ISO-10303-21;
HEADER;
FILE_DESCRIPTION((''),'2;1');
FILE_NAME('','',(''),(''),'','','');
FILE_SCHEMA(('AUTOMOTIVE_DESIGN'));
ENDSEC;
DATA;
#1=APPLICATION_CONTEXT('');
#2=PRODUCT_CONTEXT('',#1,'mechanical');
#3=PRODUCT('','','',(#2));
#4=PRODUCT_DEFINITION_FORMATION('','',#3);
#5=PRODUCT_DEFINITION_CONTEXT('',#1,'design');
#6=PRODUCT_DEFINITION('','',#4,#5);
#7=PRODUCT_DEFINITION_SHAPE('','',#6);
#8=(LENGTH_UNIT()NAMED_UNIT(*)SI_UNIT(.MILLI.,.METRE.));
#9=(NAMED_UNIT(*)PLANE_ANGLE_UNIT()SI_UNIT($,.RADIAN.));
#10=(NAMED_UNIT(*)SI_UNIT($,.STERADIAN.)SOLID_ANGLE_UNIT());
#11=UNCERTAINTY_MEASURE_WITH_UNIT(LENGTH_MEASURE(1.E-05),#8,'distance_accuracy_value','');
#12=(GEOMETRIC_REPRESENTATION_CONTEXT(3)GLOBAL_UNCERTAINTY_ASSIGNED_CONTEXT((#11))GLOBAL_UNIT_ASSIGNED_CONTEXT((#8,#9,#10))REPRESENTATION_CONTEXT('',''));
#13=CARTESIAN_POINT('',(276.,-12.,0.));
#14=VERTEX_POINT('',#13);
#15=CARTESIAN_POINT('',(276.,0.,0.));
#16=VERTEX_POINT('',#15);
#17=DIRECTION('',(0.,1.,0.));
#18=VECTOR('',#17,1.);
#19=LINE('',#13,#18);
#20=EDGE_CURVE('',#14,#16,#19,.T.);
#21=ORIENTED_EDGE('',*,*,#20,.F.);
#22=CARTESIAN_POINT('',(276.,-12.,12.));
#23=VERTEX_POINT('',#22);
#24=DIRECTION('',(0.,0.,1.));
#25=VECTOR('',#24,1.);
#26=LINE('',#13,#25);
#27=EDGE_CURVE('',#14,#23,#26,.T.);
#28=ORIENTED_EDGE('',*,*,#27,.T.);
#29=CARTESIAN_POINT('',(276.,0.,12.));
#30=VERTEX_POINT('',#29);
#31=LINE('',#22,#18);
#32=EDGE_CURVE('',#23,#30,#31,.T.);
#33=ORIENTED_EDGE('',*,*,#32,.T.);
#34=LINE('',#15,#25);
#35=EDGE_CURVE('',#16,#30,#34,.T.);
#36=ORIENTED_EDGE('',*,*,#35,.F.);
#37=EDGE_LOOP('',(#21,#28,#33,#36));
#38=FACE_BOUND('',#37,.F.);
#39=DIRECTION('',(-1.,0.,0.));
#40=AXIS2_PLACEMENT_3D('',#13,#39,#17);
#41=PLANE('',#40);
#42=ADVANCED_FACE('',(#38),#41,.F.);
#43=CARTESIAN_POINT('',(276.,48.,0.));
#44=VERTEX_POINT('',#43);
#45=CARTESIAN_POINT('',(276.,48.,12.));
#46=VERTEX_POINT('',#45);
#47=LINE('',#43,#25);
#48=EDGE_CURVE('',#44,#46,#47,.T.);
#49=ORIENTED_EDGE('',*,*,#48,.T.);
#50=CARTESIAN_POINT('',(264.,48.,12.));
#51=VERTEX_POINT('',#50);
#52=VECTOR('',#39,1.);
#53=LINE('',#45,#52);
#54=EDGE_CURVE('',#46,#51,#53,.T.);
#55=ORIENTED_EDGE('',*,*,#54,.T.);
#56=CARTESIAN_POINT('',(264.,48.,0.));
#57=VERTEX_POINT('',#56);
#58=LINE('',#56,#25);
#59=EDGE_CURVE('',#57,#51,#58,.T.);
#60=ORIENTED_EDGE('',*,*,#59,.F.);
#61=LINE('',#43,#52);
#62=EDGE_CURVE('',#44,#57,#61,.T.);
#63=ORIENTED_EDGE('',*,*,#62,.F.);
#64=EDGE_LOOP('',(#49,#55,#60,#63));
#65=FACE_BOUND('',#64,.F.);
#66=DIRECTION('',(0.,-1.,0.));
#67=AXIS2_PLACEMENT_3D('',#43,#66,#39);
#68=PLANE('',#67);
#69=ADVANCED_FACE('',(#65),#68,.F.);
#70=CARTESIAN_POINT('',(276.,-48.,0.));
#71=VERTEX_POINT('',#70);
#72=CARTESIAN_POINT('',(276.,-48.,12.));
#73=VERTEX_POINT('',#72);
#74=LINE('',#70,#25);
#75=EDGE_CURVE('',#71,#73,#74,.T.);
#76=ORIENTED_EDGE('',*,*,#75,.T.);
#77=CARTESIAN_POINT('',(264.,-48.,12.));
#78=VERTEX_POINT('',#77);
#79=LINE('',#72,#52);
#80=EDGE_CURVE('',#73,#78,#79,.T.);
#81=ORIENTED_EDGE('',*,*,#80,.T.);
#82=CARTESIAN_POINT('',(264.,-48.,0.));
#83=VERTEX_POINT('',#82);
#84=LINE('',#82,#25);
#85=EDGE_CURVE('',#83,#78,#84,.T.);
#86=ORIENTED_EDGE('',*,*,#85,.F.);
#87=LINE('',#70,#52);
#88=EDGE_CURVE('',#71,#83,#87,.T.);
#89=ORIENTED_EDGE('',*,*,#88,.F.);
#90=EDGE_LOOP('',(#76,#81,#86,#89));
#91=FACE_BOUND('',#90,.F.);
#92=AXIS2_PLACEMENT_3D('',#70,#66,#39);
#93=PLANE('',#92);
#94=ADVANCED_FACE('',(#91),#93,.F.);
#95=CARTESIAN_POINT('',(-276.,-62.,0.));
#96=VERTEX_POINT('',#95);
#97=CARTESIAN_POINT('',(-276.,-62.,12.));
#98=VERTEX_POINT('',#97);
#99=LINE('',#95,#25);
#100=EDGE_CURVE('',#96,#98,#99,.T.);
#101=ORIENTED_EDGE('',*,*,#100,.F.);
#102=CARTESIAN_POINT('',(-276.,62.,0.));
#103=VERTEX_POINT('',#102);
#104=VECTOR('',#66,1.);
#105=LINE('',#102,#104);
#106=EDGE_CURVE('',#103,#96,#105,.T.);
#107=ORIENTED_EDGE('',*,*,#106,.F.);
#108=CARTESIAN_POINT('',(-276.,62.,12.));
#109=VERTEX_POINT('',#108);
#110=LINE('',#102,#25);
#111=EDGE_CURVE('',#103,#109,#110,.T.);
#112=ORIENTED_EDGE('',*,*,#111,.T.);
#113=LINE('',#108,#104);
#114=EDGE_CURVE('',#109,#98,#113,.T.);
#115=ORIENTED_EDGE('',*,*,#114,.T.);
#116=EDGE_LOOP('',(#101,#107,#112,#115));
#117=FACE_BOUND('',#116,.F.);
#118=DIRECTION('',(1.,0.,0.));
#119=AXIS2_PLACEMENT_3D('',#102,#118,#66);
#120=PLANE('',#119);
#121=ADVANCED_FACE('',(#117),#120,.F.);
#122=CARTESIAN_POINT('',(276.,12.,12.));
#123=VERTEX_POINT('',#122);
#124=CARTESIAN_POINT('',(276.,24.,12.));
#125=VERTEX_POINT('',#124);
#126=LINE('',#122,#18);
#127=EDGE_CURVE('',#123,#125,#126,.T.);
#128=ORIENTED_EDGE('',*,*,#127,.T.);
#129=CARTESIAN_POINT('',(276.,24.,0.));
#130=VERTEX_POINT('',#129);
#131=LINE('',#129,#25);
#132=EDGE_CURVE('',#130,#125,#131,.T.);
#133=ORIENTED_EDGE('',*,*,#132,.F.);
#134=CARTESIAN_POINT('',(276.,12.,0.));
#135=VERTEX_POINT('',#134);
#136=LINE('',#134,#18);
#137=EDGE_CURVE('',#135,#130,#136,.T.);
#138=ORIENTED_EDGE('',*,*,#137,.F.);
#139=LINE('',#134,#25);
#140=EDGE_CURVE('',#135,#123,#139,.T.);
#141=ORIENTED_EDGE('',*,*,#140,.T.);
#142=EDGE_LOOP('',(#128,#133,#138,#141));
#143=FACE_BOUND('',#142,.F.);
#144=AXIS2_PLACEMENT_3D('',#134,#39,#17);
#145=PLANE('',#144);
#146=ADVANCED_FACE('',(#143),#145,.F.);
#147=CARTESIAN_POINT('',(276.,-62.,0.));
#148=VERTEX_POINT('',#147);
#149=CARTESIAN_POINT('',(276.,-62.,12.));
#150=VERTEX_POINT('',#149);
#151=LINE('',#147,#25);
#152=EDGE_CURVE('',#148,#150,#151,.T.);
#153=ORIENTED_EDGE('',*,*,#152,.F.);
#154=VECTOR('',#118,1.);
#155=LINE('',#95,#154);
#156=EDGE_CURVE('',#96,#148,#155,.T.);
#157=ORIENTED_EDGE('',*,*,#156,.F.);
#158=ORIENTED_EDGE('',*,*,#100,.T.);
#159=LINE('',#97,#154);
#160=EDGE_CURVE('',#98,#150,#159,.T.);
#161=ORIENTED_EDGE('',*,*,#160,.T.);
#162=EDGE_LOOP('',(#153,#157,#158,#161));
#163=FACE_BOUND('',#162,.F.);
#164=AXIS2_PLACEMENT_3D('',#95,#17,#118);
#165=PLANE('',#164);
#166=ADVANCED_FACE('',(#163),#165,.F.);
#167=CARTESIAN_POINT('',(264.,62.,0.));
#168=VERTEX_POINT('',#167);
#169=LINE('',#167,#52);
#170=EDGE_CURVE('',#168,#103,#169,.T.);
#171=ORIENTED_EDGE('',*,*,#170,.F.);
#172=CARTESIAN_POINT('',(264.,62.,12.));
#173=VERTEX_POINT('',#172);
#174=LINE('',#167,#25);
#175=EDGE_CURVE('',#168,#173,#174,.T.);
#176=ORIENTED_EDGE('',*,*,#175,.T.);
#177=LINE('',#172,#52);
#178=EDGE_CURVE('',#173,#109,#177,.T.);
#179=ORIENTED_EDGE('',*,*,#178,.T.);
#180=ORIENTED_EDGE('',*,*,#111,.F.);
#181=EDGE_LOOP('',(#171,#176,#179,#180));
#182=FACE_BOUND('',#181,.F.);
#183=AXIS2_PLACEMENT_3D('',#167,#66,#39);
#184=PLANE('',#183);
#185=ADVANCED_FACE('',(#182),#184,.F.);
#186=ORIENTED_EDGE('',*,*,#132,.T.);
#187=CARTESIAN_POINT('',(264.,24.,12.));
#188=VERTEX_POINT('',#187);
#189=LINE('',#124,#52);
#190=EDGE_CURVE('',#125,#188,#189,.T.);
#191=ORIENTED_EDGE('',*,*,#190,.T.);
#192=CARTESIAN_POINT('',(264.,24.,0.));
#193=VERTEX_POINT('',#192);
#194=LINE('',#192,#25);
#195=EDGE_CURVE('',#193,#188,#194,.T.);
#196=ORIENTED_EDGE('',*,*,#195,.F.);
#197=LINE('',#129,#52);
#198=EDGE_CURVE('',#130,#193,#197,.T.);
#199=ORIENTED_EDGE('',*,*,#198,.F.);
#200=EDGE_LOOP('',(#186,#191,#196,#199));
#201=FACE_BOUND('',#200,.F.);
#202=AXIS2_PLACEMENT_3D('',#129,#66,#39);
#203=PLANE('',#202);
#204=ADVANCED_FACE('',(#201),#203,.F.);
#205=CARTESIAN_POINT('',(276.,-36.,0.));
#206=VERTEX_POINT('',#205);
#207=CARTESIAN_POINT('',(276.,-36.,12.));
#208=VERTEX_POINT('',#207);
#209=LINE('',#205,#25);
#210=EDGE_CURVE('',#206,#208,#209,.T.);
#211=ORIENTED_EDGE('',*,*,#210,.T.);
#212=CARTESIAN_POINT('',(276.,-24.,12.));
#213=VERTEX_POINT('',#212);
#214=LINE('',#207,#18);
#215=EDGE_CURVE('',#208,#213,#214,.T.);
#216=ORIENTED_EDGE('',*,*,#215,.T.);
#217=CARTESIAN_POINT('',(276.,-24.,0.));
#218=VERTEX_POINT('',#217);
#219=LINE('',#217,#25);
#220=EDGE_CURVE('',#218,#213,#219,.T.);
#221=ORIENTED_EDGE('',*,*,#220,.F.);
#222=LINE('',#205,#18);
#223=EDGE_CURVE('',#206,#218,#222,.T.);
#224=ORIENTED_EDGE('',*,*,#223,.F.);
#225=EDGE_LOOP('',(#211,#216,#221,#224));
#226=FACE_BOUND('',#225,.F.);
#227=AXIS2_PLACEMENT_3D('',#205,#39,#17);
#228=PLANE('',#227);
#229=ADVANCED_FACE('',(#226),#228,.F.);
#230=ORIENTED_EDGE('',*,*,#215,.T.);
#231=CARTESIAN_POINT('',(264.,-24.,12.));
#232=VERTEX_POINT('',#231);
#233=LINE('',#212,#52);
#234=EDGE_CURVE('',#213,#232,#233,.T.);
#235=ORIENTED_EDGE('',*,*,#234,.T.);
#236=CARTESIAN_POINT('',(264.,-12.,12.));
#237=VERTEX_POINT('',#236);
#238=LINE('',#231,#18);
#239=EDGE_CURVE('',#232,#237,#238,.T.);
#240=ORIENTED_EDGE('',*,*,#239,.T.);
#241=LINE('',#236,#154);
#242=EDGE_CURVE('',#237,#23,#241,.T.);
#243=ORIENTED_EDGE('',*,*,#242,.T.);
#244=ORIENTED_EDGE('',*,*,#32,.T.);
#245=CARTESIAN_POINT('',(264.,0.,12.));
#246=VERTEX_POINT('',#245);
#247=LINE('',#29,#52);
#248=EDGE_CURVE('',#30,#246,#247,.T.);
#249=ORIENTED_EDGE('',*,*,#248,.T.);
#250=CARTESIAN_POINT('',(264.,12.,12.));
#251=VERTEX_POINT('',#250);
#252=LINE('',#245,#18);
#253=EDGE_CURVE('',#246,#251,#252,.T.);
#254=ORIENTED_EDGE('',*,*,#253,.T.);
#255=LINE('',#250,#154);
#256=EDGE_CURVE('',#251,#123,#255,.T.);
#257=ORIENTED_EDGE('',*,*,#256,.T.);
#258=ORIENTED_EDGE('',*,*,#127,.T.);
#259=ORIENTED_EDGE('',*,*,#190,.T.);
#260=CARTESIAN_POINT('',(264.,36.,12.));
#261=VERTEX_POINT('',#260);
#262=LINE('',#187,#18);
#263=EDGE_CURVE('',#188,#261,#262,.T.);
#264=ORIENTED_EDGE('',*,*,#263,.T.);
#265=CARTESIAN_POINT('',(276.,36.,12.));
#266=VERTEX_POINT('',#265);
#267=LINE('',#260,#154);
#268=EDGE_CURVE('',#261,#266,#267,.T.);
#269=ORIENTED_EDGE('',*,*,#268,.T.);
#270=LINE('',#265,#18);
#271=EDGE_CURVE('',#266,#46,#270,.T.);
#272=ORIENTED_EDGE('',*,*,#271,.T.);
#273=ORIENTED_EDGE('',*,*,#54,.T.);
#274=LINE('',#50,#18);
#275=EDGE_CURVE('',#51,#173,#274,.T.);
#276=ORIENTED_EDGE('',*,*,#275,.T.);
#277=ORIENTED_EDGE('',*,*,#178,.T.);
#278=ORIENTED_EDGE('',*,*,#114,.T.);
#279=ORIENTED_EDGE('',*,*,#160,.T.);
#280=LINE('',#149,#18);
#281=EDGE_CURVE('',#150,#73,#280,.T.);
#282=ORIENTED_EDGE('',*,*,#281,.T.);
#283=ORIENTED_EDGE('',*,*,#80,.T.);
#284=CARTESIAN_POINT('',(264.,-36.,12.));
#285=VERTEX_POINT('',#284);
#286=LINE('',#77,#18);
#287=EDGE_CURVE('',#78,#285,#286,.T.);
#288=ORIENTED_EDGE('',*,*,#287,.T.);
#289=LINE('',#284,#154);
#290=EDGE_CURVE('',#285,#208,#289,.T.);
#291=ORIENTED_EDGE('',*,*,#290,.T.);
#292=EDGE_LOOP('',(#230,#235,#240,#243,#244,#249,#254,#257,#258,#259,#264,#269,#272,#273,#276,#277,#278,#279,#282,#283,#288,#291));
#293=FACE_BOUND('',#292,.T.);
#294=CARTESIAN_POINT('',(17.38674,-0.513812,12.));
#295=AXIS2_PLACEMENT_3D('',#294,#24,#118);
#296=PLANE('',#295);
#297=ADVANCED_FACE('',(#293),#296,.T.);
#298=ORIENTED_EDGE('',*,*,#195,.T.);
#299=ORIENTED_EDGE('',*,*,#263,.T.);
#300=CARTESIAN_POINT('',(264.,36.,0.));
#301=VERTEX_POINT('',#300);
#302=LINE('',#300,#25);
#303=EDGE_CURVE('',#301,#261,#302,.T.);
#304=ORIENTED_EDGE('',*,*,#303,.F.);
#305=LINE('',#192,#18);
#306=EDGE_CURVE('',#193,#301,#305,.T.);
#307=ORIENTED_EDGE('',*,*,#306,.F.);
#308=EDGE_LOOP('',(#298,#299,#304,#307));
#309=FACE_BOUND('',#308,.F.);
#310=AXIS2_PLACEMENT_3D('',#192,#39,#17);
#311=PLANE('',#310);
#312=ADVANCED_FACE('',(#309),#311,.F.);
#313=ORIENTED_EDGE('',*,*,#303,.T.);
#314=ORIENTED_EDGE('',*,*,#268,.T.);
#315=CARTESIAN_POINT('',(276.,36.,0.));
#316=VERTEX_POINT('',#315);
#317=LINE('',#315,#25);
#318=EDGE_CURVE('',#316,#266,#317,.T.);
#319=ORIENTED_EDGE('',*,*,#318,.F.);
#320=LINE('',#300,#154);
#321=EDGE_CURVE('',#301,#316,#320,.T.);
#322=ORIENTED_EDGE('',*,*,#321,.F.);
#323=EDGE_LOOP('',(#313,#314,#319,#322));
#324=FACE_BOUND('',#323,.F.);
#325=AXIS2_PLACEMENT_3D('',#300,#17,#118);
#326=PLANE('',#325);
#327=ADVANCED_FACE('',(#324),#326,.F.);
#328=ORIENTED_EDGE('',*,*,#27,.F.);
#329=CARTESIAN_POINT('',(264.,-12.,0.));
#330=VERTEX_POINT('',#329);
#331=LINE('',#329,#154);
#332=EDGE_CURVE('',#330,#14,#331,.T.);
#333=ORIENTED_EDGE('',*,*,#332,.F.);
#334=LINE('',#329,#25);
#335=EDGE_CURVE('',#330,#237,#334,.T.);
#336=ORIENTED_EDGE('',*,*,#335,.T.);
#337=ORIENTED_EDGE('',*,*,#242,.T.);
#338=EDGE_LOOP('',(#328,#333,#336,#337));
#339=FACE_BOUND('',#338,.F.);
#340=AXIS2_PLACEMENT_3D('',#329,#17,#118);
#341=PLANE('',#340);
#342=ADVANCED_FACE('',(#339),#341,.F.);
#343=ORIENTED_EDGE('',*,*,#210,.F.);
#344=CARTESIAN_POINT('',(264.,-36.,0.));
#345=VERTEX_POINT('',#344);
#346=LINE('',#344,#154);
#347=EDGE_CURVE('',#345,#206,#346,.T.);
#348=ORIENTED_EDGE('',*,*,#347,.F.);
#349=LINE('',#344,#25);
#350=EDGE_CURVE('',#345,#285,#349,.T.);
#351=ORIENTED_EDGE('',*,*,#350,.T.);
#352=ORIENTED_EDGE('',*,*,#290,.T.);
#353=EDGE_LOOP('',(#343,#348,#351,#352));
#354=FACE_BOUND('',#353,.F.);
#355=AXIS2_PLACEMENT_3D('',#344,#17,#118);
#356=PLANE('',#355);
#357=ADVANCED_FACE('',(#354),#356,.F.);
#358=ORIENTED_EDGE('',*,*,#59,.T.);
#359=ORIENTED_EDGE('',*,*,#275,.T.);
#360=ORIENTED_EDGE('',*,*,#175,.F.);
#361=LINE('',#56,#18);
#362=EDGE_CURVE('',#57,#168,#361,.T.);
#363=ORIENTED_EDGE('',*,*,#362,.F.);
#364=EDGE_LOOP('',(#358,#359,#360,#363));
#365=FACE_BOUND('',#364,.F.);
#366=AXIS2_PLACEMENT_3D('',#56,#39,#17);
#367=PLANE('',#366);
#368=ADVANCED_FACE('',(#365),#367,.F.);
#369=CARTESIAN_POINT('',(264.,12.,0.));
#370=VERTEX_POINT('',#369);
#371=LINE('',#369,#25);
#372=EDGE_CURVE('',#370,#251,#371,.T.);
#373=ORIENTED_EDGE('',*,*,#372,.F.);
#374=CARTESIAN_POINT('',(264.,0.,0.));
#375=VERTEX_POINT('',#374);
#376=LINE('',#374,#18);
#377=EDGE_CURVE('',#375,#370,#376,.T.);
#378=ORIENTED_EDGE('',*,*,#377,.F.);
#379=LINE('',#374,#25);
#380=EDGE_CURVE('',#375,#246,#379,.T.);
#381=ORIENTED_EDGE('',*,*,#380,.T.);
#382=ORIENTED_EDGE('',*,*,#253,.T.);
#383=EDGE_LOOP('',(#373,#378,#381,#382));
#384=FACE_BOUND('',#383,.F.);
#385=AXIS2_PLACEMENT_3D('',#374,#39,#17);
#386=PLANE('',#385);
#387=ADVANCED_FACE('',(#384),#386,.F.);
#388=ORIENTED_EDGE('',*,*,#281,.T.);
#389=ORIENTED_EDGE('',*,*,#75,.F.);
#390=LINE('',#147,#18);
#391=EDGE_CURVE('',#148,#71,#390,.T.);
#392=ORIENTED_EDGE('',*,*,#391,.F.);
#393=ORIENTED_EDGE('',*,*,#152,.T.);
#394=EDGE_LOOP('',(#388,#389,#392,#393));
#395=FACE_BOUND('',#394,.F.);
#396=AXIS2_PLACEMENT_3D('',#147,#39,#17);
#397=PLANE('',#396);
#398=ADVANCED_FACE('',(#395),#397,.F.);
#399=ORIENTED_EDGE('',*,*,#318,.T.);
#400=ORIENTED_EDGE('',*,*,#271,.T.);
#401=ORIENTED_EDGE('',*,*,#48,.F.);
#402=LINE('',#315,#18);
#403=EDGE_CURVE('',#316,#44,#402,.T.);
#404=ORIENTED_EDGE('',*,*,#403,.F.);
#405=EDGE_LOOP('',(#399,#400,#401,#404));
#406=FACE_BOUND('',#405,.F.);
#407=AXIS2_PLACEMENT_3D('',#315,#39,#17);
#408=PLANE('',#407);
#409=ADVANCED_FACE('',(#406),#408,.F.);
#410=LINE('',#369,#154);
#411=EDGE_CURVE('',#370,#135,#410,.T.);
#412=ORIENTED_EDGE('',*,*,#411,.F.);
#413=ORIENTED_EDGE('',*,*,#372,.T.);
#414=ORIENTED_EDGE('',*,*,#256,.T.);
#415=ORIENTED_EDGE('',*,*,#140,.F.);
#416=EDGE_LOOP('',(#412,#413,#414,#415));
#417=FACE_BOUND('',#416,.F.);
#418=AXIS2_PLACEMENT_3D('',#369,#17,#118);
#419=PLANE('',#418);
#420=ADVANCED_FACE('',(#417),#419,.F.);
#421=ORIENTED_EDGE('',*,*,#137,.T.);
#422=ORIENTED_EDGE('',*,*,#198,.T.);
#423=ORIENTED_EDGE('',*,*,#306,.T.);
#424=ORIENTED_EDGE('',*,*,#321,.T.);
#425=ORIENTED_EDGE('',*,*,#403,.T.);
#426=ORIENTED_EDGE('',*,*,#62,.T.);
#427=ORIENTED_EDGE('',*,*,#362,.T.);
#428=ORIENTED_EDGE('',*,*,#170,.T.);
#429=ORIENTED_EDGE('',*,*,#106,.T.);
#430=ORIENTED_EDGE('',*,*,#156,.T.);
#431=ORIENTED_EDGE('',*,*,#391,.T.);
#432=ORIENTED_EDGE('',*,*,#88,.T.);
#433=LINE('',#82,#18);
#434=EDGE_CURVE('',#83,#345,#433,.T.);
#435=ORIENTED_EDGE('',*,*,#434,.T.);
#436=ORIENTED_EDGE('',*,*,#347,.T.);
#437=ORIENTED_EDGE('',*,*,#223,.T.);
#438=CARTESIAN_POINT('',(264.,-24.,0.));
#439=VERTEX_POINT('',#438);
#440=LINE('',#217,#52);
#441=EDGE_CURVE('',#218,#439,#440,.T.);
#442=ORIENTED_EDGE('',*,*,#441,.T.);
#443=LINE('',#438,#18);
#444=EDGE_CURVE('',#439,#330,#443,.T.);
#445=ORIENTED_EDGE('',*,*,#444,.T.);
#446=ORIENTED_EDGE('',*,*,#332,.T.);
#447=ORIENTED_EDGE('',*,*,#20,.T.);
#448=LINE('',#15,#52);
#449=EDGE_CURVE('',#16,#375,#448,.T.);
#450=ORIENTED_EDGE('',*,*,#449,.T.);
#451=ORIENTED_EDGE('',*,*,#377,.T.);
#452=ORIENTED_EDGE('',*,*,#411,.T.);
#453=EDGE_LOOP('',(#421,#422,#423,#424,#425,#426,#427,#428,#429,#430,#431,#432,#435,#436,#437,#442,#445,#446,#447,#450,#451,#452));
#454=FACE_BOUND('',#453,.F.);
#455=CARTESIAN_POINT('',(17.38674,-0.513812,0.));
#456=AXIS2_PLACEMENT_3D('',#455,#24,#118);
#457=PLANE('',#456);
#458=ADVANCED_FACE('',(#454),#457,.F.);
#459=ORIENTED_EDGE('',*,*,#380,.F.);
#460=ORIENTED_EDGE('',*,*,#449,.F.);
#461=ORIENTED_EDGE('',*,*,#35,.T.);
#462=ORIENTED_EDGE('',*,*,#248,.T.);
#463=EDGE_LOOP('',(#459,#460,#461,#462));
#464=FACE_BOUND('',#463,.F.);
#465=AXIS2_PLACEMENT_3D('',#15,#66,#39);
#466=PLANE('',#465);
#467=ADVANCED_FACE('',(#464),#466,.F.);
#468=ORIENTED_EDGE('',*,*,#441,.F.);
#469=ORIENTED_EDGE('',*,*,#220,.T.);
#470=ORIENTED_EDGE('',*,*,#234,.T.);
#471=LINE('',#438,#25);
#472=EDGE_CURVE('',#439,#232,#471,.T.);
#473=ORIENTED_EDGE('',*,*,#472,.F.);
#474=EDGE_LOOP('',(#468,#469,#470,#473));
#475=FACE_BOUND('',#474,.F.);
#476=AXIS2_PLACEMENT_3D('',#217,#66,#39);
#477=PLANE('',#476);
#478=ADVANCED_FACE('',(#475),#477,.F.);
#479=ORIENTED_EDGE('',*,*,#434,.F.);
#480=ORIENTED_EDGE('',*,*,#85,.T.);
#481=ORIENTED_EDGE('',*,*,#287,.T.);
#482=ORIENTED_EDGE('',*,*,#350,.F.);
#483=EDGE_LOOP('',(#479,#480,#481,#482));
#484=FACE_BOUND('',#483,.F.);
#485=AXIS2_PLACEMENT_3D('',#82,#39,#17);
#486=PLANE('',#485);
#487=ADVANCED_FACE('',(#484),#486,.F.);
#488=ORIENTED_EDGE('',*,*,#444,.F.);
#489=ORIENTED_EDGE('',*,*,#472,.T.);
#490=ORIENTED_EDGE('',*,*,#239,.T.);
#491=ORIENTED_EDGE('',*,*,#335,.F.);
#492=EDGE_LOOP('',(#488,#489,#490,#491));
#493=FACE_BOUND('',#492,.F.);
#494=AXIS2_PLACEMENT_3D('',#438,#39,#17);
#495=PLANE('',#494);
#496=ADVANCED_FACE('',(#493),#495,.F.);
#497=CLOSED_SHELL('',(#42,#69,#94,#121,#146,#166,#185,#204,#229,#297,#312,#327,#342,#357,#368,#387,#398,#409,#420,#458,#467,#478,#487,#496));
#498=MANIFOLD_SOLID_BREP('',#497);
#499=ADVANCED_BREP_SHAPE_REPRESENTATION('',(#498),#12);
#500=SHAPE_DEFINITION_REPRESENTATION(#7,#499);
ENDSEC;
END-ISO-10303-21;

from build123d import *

# Parameters (mm, degrees)
F1_DEPTH = 12


with BuildPart() as f1:
    # F0 (on Top) → F1 (new body)
    with BuildSketch(Plane.XY):
        Polygon((264, 62), (-276, 62), (-276, -62), (276, -62), (276, -48), (264, -48), (264, -36), (276, -36), (276, -24), (264, -24), (264, -12), (276, -12), (276, 0), (264, 0), (264, 12), (276, 12), (276, 24), (264, 24), (264, 36), (276, 36), (276, 48), (264, 48), align=None)
    extrude(amount=F1_DEPTH)


solid = f1.part
